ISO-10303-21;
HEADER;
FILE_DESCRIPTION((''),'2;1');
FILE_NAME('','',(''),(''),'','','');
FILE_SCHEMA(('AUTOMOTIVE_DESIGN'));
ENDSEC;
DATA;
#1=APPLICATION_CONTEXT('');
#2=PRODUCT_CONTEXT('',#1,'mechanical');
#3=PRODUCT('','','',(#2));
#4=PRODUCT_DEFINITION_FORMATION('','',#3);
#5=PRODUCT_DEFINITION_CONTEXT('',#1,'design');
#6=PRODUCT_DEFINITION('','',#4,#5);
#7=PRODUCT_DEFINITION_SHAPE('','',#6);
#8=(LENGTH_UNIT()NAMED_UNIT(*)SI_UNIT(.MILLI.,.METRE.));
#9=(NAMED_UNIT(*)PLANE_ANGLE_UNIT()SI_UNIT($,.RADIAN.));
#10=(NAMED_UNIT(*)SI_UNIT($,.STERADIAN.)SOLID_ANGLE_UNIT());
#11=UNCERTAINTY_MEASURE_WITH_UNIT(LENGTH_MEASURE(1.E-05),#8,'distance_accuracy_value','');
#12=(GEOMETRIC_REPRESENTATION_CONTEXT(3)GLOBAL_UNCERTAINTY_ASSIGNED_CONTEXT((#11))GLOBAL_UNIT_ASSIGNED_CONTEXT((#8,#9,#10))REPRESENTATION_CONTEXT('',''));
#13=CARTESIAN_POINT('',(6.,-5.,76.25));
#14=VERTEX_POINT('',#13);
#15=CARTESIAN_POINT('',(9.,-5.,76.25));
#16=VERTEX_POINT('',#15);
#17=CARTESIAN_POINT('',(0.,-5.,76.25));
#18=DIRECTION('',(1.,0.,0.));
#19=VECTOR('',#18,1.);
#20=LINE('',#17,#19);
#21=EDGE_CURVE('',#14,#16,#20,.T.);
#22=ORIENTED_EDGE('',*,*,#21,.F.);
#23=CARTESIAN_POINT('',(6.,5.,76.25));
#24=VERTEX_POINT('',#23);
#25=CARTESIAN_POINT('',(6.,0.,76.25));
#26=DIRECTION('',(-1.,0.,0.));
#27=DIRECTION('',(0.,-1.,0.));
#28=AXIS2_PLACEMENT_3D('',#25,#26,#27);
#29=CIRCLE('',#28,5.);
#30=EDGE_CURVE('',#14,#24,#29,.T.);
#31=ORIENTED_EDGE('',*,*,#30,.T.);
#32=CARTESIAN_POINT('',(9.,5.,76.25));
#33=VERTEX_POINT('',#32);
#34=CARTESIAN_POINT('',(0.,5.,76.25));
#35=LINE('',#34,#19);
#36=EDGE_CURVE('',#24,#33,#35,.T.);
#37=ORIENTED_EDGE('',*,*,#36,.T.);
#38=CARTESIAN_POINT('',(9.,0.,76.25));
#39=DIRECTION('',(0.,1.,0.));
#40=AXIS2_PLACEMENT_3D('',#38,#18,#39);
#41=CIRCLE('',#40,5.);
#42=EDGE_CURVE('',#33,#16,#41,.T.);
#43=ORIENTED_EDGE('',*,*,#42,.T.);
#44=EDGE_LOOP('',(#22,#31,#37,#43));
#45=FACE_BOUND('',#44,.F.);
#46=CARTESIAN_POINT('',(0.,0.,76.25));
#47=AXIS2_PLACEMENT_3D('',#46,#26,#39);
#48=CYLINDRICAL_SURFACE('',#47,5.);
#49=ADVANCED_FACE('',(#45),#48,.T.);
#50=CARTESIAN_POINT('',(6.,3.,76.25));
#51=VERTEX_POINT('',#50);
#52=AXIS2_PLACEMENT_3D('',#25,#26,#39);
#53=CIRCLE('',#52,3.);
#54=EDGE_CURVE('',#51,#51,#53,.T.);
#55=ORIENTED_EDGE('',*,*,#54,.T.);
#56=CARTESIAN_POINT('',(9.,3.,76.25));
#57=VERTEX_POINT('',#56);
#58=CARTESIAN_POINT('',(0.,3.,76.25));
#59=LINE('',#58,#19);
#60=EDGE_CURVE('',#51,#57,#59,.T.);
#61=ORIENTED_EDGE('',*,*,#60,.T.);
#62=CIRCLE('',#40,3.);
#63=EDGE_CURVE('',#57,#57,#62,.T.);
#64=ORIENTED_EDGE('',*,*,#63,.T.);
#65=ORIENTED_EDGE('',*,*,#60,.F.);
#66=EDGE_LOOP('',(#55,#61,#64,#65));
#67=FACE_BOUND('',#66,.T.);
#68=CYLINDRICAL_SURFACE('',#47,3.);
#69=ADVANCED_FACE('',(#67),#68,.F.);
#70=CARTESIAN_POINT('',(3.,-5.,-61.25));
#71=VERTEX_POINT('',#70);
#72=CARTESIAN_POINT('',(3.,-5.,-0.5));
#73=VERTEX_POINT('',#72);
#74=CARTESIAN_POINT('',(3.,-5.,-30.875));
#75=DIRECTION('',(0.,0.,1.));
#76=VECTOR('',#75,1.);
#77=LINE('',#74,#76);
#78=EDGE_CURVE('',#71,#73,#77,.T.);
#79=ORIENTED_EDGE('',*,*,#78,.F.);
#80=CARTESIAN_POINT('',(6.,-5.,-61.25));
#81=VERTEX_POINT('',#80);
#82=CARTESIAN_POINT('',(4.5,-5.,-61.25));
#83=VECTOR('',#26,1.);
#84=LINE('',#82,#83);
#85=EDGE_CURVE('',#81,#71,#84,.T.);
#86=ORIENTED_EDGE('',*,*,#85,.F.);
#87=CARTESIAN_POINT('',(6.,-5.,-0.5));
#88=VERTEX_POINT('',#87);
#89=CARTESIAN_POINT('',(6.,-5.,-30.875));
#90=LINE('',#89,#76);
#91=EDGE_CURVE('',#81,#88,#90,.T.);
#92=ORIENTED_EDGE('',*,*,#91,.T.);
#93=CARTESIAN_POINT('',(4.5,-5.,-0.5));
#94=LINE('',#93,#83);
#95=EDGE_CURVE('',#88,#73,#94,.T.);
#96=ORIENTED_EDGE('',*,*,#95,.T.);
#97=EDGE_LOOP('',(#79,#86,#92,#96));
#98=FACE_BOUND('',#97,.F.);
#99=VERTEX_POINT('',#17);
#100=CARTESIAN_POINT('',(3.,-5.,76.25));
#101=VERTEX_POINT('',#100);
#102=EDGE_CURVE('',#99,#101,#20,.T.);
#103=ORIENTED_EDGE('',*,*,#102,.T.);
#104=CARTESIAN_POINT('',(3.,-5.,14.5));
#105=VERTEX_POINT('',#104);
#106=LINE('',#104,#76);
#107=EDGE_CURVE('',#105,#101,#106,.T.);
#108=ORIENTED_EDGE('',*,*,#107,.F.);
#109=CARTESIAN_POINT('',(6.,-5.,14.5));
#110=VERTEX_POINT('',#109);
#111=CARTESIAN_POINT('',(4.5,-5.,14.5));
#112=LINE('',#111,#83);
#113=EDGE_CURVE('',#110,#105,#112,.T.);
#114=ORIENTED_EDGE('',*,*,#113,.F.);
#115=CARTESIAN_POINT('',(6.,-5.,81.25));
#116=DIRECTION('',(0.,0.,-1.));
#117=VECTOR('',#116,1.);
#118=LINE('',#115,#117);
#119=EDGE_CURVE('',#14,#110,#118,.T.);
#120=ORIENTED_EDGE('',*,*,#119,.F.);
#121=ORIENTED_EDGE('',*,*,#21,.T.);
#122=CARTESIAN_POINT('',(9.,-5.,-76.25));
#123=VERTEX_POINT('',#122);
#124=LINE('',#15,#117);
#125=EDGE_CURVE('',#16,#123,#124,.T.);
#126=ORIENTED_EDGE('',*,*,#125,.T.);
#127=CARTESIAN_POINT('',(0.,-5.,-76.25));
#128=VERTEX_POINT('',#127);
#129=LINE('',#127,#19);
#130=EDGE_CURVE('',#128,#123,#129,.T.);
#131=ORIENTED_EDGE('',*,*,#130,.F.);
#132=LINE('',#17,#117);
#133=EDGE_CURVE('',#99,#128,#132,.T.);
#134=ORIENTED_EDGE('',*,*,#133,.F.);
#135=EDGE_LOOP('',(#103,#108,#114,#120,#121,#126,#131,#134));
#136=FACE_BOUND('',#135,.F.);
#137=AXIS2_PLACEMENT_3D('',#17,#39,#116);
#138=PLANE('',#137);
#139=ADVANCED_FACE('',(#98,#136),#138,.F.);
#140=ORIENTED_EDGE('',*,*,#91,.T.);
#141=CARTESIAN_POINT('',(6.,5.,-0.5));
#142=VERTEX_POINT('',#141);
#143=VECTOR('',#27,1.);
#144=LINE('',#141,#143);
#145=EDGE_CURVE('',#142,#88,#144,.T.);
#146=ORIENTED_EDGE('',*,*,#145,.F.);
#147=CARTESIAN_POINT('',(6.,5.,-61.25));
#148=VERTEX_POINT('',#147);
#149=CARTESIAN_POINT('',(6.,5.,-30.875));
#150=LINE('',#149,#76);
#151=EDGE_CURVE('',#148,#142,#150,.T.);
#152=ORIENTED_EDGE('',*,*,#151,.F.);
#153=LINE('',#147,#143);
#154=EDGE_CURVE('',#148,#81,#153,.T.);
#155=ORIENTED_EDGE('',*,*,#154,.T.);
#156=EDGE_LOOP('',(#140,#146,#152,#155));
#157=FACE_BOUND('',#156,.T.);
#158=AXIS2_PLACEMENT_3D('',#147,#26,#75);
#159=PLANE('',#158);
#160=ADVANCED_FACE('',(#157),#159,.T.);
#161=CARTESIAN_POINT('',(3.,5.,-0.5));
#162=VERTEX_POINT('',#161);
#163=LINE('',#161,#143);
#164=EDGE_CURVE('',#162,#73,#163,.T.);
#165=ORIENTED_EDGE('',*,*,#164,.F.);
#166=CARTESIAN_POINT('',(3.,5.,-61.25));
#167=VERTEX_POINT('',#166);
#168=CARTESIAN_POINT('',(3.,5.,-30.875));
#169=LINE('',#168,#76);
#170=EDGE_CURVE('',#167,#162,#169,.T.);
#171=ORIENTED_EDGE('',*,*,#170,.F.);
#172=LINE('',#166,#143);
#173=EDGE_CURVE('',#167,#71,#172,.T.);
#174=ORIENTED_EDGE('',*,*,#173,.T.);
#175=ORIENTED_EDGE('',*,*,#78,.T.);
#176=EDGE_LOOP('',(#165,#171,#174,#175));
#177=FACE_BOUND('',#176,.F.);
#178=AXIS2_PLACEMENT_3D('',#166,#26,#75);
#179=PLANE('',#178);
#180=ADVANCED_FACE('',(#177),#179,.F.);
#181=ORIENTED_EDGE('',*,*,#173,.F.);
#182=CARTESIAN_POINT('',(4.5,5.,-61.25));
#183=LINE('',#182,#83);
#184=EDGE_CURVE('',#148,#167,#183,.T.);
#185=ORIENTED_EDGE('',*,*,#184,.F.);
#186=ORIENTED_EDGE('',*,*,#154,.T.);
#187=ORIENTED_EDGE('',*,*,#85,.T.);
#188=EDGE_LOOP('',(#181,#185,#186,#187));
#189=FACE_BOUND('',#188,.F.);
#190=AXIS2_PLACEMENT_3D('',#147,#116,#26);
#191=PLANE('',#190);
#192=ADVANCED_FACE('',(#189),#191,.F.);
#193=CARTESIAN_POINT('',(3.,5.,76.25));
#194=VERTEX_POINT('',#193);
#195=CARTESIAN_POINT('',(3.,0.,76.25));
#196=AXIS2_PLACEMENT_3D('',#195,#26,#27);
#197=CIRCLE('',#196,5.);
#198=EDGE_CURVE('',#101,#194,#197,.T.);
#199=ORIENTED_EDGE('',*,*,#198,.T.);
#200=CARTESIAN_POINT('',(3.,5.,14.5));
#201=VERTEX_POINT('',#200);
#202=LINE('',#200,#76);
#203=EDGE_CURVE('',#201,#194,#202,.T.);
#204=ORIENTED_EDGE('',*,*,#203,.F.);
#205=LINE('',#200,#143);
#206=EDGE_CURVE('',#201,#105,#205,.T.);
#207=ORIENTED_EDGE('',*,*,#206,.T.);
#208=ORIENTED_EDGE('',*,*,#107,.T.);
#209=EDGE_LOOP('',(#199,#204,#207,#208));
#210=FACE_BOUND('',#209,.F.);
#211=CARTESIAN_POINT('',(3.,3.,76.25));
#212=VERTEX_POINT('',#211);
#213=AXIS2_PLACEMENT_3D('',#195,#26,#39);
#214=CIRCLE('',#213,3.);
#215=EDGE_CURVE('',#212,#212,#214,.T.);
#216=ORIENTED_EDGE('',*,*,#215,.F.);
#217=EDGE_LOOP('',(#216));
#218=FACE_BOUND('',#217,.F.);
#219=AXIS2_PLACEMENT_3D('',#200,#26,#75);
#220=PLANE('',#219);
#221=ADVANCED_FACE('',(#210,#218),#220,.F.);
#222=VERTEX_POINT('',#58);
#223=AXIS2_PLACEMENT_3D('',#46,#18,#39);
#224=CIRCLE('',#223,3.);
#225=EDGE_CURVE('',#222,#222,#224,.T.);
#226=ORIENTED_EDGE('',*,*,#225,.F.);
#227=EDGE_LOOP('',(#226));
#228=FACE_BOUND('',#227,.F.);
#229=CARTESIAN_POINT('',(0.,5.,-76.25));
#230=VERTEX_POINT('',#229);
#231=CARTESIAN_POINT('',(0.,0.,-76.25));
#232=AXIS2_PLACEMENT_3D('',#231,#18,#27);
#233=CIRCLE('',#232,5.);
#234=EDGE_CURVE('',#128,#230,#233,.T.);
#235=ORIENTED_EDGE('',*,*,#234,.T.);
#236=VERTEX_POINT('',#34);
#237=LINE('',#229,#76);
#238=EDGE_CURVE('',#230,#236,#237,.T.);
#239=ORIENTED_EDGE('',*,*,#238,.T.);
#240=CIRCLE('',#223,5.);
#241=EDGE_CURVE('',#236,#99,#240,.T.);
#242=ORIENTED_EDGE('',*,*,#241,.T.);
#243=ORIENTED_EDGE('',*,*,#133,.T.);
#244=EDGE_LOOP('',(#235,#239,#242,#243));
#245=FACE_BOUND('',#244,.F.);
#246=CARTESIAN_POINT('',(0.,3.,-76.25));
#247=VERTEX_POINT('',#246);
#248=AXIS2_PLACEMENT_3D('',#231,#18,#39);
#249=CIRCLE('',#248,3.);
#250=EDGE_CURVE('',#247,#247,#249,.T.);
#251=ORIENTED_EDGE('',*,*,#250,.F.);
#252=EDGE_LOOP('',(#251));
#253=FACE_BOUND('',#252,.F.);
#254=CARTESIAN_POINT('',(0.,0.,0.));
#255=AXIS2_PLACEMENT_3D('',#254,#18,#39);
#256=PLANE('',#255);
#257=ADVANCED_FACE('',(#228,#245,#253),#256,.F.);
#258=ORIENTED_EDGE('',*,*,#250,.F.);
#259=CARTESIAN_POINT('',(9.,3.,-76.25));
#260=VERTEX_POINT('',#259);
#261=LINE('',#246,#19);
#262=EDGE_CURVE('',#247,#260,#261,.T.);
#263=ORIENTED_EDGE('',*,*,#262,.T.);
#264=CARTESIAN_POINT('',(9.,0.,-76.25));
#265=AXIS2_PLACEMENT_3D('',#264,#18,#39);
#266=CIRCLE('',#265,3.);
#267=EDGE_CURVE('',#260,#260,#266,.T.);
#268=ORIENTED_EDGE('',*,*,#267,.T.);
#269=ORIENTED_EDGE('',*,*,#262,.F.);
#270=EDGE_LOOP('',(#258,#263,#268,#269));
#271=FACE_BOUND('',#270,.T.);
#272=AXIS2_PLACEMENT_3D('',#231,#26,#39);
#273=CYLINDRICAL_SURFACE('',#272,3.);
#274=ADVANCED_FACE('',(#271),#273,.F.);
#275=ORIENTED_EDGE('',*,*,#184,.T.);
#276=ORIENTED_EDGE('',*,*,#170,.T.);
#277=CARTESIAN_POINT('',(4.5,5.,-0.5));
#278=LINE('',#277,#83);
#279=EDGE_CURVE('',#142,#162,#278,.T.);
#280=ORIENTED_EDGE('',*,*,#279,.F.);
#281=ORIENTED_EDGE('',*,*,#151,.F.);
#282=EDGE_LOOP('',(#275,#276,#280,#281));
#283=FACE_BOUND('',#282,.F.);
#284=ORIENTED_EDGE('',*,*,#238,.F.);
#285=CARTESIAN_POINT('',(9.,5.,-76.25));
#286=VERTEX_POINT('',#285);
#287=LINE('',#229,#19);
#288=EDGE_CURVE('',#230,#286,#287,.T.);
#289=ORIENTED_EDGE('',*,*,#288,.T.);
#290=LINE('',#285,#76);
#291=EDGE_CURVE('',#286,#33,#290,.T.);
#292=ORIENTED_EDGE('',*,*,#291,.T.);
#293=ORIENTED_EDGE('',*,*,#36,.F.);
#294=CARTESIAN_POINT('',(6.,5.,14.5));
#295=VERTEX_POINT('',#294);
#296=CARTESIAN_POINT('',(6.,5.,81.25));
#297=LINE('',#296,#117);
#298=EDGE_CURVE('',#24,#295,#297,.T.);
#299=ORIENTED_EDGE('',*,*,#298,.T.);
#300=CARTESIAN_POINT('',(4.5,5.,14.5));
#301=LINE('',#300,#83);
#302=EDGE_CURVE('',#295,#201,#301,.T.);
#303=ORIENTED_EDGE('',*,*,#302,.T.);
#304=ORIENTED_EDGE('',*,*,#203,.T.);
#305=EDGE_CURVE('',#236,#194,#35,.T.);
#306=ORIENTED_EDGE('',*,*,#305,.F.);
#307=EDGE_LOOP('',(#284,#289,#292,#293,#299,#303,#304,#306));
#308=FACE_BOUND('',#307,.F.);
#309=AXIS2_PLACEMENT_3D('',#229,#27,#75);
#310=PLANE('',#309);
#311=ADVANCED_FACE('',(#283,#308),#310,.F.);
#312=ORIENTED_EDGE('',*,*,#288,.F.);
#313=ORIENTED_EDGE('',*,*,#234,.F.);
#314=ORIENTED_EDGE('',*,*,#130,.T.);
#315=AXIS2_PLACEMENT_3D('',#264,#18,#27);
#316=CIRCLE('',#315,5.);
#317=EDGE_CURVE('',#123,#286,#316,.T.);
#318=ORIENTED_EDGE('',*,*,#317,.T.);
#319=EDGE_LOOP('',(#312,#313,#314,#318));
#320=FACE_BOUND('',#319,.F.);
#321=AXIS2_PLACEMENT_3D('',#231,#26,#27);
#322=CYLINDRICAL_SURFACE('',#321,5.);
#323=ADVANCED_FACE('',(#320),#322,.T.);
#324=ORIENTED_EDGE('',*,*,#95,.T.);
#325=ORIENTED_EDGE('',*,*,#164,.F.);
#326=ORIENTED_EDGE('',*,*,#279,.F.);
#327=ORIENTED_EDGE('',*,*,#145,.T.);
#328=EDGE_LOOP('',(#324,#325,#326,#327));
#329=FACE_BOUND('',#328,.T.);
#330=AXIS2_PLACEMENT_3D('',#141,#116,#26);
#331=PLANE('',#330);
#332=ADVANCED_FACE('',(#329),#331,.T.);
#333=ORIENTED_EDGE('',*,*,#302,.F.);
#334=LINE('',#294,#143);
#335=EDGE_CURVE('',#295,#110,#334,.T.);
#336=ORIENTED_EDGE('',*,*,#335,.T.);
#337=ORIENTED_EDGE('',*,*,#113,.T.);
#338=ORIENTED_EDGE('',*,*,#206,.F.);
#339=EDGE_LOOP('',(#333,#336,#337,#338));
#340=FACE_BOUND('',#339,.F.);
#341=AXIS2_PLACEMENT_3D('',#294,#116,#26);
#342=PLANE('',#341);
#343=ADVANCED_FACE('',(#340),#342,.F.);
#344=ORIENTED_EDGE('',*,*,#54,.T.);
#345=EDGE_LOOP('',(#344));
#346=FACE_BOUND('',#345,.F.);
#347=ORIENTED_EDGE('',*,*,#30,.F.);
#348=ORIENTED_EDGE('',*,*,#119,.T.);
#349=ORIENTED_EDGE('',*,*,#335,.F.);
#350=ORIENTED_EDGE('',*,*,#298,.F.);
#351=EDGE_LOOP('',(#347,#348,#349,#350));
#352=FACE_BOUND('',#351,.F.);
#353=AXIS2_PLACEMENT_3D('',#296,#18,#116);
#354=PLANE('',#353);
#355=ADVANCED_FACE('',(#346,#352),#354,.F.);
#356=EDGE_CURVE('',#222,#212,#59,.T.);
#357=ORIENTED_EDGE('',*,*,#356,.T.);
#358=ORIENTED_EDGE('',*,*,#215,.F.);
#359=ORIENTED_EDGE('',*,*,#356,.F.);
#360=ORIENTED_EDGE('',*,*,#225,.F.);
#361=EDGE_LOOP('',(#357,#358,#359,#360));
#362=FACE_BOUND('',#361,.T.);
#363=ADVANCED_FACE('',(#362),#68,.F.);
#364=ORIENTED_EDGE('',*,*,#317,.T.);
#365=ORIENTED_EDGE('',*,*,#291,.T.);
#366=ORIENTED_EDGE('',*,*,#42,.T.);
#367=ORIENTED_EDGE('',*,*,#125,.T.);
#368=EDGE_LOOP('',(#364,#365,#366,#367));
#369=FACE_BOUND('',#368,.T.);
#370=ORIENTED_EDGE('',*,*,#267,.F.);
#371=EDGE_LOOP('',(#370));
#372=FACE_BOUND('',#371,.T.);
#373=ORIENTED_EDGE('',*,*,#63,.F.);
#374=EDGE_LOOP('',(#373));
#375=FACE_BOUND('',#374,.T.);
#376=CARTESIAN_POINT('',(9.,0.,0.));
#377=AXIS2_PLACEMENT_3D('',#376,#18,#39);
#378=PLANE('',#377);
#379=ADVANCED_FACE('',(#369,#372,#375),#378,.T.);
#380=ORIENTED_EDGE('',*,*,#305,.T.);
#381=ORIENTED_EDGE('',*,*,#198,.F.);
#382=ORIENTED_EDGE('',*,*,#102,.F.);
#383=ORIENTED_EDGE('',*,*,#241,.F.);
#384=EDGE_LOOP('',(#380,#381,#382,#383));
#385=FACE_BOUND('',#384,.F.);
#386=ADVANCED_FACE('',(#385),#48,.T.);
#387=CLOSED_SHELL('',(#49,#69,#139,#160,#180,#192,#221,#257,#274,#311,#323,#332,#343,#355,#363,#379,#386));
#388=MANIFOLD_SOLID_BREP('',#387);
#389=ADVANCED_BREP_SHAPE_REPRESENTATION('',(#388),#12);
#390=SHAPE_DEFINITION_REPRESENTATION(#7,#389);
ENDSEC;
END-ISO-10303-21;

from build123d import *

# Parameters (mm, degrees)
F0_R     = 3
F1_DEPTH = 9
F2_W     = 3
F2_H     = 61.75
F2_H_2   = 5
F2_H_3   = 60.75
F3_DEPTH = 10


with BuildPart() as f1:
    # F0 (on Right) → F1 (new body)
    with BuildSketch(Plane.YZ):
        with BuildLine():
            Line((5, -76.25), (5, 76.25))
            ThreePointArc((5, 76.25), (0, 81.25), (-5, 76.25))
            Line((-5, 76.25), (-5, -76.25))
            ThreePointArc((-5, -76.25), (0, -81.25), (5, -76.25))
        make_face()
        with Locations((0, -76.25)):
            Circle(F0_R, mode=Mode.SUBTRACT)
        with Locations((0, 76.25)):
            Circle(F0_R, mode=Mode.SUBTRACT)
    extrude(amount=F1_DEPTH)

    # F2 (on face) → F3 (cut)
    with BuildSketch(Plane(origin=(0, 5, 0), x_dir=(-1, 0, 0), z_dir=(0, 1, 0))):
        with Locations((-4.5, 45.375)):
            Rectangle(F2_W, F2_H)
        with Locations((-4.5, 78.75)):
            Rectangle(F2_W, F2_H_2)
        with Locations((-4.5, -30.875)):
            Rectangle(F2_W, F2_H_3)
    extrude(amount=-F3_DEPTH, mode=Mode.SUBTRACT)


solid = f1.part
